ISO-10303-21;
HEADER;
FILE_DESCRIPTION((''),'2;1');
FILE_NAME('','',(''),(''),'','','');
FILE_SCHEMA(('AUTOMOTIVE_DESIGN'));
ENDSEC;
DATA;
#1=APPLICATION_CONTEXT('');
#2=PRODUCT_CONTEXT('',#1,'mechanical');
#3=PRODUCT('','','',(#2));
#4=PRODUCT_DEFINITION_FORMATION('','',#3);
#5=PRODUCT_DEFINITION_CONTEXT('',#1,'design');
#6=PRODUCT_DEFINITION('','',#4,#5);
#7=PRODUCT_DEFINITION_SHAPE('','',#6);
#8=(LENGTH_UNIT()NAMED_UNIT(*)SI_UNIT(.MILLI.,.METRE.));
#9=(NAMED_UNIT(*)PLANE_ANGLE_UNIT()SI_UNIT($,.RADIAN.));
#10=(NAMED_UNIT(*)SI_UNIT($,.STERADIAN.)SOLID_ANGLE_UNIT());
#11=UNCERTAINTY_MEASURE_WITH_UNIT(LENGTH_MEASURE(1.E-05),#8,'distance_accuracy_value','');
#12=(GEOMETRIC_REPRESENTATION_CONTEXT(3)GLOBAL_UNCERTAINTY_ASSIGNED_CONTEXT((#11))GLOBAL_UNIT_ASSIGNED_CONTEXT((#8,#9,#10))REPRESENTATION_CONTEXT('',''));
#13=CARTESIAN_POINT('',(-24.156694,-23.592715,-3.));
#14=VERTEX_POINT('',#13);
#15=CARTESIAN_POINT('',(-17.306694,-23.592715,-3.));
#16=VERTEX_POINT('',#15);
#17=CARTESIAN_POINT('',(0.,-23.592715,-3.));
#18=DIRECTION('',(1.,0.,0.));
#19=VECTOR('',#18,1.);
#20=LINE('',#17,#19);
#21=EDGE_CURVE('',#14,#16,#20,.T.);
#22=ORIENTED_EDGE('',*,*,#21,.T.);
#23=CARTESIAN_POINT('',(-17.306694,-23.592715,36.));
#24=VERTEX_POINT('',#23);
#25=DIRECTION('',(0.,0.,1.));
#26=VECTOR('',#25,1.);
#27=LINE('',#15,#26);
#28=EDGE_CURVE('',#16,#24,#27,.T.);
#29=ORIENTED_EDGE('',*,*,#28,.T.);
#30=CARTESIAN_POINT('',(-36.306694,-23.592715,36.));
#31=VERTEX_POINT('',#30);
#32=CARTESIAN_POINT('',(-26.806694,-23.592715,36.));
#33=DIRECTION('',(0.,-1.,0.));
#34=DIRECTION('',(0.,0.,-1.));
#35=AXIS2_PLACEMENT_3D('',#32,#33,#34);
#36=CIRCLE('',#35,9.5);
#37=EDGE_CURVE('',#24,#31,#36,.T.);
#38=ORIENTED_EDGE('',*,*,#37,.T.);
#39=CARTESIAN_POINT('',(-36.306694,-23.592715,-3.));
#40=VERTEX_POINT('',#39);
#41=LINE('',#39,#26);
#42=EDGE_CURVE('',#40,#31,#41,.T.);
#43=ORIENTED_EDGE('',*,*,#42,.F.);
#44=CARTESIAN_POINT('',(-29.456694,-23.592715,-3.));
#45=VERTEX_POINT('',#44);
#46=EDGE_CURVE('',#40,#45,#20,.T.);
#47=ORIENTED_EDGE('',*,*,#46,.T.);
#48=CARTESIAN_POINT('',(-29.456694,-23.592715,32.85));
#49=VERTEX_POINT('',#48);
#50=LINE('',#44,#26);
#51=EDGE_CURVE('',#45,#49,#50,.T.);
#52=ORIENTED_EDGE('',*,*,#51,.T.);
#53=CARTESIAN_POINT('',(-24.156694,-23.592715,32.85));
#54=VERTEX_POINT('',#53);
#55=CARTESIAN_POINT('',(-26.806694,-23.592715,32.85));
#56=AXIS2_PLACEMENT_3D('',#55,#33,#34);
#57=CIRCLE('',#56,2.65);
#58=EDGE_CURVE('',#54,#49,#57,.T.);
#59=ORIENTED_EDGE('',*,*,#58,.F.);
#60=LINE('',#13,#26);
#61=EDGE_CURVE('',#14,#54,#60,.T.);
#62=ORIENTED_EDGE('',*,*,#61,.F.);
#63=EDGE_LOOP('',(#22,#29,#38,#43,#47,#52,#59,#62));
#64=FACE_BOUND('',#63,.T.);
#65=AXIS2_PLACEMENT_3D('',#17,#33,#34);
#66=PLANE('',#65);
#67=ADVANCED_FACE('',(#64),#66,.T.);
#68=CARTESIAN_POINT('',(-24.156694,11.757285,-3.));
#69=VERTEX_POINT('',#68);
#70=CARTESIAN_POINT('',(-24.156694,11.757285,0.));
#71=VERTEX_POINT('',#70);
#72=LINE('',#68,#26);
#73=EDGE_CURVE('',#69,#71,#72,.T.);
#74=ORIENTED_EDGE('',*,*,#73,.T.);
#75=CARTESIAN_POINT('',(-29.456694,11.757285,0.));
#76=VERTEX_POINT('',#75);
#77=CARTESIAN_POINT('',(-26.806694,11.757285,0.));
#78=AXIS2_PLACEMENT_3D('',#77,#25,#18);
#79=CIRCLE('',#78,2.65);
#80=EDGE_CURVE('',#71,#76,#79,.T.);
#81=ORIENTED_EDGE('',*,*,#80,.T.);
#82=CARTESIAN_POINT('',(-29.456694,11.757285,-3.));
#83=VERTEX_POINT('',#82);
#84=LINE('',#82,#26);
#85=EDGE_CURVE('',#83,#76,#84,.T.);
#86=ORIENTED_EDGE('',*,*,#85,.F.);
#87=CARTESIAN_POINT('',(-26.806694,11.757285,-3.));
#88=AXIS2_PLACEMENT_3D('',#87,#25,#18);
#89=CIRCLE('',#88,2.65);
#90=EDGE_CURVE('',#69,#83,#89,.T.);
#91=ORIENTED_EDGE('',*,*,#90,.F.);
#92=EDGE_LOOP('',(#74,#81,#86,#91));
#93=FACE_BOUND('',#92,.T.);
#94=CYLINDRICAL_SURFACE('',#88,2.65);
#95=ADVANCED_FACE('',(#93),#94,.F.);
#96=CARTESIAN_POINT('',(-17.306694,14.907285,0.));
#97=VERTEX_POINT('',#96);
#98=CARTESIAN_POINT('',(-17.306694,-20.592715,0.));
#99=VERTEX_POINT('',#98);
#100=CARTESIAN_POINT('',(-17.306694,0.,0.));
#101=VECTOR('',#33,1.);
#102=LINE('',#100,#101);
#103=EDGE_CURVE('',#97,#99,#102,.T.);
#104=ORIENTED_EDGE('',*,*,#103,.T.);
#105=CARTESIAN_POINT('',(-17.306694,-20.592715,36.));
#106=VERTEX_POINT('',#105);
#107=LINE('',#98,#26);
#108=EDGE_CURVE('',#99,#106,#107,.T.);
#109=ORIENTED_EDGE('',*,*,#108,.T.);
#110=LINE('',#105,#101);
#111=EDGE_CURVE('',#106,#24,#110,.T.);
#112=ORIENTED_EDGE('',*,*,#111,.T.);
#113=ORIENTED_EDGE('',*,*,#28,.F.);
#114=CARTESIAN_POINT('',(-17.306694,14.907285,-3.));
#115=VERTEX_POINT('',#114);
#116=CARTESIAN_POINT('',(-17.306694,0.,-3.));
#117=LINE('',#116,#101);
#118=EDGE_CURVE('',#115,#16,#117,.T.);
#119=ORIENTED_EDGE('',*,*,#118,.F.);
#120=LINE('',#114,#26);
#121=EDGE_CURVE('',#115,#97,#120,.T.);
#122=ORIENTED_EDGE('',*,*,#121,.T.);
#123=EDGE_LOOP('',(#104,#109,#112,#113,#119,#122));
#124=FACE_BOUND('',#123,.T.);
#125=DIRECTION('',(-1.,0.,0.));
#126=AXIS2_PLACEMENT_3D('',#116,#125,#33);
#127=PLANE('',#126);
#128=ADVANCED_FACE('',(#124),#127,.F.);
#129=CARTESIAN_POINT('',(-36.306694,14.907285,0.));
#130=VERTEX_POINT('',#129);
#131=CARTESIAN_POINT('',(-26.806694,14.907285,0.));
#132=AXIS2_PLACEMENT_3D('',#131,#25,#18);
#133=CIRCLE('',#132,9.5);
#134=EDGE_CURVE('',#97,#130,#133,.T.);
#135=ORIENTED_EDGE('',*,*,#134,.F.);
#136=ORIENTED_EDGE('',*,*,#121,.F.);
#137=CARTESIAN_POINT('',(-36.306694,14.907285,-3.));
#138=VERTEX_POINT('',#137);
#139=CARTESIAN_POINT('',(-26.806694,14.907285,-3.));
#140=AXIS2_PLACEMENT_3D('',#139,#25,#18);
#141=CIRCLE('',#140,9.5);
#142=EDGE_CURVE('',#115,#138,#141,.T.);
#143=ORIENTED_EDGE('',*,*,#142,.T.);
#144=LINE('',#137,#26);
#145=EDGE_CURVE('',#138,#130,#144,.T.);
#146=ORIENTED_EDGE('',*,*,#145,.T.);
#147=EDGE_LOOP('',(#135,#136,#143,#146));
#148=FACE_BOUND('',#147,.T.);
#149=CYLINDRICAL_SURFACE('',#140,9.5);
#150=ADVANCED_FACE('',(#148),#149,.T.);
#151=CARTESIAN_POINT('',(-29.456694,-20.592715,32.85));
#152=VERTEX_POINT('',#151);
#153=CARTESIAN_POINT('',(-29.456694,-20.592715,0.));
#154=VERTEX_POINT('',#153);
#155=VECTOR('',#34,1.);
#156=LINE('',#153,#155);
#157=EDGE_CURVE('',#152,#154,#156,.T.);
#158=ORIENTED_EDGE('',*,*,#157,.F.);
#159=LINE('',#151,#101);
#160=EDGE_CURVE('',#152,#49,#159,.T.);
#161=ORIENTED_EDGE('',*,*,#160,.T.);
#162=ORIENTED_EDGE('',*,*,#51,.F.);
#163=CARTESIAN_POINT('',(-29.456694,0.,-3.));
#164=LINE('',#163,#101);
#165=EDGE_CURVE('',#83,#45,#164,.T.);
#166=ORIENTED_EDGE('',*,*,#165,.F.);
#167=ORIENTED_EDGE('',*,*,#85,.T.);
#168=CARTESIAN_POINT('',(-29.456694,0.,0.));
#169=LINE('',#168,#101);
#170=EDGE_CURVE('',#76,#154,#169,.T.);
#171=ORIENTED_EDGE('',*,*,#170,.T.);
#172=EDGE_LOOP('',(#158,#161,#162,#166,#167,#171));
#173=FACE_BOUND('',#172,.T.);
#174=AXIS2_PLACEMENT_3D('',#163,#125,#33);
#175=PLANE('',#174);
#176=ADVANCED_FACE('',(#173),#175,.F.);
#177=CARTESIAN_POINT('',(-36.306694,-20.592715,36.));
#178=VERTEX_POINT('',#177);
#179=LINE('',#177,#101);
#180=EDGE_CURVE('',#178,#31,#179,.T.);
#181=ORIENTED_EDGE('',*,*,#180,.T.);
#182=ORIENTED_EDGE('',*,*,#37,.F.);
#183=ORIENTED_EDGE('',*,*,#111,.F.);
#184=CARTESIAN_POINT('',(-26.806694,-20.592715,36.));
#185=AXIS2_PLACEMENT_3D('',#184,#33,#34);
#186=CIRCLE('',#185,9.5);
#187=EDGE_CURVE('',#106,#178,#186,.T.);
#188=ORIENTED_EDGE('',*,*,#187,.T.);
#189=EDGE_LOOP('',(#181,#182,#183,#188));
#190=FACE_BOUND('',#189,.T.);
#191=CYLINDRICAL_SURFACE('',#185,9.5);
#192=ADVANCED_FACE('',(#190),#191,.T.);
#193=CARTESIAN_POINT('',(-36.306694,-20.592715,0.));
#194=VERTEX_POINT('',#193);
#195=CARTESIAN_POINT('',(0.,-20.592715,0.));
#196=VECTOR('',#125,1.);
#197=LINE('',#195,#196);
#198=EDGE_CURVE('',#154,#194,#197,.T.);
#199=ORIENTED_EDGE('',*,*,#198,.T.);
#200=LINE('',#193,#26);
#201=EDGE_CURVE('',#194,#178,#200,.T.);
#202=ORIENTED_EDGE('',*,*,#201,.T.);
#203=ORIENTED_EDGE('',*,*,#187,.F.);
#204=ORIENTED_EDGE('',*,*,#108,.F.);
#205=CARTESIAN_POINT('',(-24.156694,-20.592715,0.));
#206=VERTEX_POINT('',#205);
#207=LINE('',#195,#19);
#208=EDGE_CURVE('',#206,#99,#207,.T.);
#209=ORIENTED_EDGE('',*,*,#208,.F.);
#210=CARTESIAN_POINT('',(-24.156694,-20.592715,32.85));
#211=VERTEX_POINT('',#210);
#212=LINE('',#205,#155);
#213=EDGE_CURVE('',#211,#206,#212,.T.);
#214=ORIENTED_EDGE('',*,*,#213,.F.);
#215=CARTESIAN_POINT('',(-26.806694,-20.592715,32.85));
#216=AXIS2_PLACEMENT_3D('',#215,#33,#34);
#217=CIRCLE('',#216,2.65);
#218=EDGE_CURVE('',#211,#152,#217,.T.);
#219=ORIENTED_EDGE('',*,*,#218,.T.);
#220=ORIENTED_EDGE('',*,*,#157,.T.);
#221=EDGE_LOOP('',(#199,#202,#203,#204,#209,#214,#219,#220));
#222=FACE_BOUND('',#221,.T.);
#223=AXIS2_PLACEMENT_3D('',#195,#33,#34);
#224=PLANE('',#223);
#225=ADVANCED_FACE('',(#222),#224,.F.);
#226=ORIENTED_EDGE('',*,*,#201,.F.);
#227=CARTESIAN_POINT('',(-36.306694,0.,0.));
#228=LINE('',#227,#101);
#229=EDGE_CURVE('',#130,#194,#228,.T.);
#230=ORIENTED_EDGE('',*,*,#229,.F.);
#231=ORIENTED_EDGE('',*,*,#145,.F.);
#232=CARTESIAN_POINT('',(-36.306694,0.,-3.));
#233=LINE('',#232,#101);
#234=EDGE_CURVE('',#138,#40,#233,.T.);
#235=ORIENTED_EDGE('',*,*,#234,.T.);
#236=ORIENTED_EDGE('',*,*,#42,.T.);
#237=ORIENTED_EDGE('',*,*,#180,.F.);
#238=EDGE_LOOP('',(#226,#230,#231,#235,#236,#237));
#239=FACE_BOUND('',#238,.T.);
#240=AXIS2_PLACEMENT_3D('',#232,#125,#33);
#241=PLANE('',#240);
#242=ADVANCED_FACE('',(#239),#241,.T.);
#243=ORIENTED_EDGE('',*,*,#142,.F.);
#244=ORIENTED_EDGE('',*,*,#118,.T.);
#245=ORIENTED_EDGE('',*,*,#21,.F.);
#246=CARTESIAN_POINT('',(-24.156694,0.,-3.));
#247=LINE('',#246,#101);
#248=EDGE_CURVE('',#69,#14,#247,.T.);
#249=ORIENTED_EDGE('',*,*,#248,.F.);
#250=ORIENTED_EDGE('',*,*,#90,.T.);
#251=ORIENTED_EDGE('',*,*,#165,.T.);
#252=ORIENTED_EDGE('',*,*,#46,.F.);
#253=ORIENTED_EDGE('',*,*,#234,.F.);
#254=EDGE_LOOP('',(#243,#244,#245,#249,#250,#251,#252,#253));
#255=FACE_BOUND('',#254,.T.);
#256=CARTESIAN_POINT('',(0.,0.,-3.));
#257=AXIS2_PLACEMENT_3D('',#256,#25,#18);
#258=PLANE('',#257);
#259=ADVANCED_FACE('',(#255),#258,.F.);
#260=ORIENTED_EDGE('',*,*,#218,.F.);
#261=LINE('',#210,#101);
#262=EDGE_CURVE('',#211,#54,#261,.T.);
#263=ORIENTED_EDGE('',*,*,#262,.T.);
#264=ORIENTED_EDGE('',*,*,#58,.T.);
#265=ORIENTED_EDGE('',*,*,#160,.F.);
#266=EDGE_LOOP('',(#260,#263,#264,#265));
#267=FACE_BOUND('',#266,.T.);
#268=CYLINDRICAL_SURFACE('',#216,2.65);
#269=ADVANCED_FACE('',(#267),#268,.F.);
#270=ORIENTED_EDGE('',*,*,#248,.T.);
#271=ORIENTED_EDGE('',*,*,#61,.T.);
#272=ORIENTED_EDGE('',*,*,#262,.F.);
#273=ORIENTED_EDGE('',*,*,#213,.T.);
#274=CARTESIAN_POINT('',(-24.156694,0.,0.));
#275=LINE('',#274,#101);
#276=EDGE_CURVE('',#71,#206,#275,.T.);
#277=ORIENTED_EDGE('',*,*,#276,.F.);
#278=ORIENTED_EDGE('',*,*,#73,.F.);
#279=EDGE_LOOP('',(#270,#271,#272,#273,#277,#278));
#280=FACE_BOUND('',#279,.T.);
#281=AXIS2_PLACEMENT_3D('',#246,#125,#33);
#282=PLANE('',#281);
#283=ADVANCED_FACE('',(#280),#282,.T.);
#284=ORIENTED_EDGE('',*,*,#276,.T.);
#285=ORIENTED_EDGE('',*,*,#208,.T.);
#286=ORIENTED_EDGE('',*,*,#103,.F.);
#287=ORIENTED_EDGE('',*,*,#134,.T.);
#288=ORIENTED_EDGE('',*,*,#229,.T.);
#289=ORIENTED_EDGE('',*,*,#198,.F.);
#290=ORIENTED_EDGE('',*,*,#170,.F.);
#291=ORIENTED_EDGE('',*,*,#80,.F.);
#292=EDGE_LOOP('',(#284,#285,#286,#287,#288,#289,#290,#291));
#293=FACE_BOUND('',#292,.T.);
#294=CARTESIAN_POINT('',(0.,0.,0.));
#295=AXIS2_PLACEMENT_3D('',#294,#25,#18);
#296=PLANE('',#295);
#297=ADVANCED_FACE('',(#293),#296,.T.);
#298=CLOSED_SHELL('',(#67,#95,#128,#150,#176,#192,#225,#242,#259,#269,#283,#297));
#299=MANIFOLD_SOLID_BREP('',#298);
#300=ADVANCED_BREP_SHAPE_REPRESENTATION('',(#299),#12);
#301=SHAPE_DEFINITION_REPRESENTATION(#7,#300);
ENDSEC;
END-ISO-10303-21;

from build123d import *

# Parameters (mm, degrees)
EXTRUDE_1_DEPTH = 3
EXTRUDE_2_DEPTH = 3


with BuildPart() as part:
    # 草图1 → 凸台-拉伸1 (new body)
    with BuildSketch(Plane.XY):
        with BuildLine():
            ThreePointArc((-17.306693672, 14.907284768), (-26.806693672, 24.407284768), (-36.306693672, 14.907284768))
            ThreePointArc((-36.306693672, 14.907284768), (-34.403568029, 9.203119623), (-29.456693672, 5.784374048))
            Line((-29.456693672, 5.784374048), (-29.456693672, 11.757284768))
            ThreePointArc((-29.456693672, 11.757284768), (-26.806693672, 14.407284768), (-24.156693672, 11.757284768))
            Line((-24.156693672, 11.757284768), (-24.156693672, 5.784374048))
            ThreePointArc((-24.156693672, 5.784374048), (-19.209819315, 9.203119623), (-17.306693672, 14.907284768))
        make_face()
        with BuildLine():
            ThreePointArc((-29.456693672, 5.784374048), (-34.403568029, 9.203119623), (-36.306693672, 14.907284768))
            Line((-36.306693672, 14.907284768), (-36.306693672, -23.592715232))
            Line((-36.306693672, -23.592715232), (-29.456693672, -23.592715232))
            Line((-29.456693672, -23.592715232), (-29.456693672, 5.784374048))
        make_face()
        with BuildLine():
            Line((-17.306693672, -23.592715232), (-17.306693672, 14.907284768))
            ThreePointArc((-17.306693672, 14.907284768), (-19.209819315, 9.203119623), (-24.156693672, 5.784374048))
            Line((-24.156693672, 5.784374048), (-24.156693672, -23.592715232))
            Line((-24.156693672, -23.592715232), (-17.306693672, -23.592715232))
        make_face()
    extrude(amount=-EXTRUDE_1_DEPTH)

    # 草图2 → 凸台-拉伸2 (add)
    with BuildSketch(Plane.XZ.offset(23.592715232)):
        with BuildLine():
            ThreePointArc((-34.81143952, 41.116057458), (-35.925221118, 38.665043569), (-36.306693672, 36))
            ThreePointArc((-36.306693672, 36), (-34.403568029, 30.295834855), (-29.456693672, 26.87708928))
            Line((-29.456693672, 26.87708928), (-29.456693672, 32.85))
            ThreePointArc((-29.456693672, 32.85), (-26.806693672, 35.5), (-24.156693672, 32.85))
            Line((-24.156693672, 32.85), (-24.156693672, 26.87708928))
            ThreePointArc((-24.156693672, 26.87708928), (-19.209819315, 30.295834855), (-17.306693672, 36))
            ThreePointArc((-17.306693672, 36), (-17.688166227, 38.665043569), (-18.801947824, 41.116057458))
            Line((-18.801947824, 41.116057458), (-34.81143952, 41.116057458))
        make_face()
        with BuildLine():
            ThreePointArc((-18.801947824, 41.116057458), (-26.806693672, 45.5), (-34.81143952, 41.116057458))
            Line((-34.81143952, 41.116057458), (-18.801947824, 41.116057458))
        make_face()
        with BuildLine():
            Line((-36.306693672, 36), (-36.306693672, 0))
            Line((-36.306693672, 0), (-29.456693672, 0))
            Line((-29.456693672, 0), (-29.456693672, 26.87708928))
            ThreePointArc((-29.456693672, 26.87708928), (-34.403568029, 30.295834855), (-36.306693672, 36))
        make_face()
        with BuildLine():
            Line((-24.156693672, 26.87708928), (-24.156693672, -3))
            Line((-24.156693672, -3), (-17.306693672, -3))
            Line((-17.306693672, -3), (-17.306693672, 36))
            ThreePointArc((-17.306693672, 36), (-19.209819315, 30.295834855), (-24.156693672, 26.87708928))
        make_face()
    extrude(amount=-EXTRUDE_2_DEPTH)


solid = part.part
